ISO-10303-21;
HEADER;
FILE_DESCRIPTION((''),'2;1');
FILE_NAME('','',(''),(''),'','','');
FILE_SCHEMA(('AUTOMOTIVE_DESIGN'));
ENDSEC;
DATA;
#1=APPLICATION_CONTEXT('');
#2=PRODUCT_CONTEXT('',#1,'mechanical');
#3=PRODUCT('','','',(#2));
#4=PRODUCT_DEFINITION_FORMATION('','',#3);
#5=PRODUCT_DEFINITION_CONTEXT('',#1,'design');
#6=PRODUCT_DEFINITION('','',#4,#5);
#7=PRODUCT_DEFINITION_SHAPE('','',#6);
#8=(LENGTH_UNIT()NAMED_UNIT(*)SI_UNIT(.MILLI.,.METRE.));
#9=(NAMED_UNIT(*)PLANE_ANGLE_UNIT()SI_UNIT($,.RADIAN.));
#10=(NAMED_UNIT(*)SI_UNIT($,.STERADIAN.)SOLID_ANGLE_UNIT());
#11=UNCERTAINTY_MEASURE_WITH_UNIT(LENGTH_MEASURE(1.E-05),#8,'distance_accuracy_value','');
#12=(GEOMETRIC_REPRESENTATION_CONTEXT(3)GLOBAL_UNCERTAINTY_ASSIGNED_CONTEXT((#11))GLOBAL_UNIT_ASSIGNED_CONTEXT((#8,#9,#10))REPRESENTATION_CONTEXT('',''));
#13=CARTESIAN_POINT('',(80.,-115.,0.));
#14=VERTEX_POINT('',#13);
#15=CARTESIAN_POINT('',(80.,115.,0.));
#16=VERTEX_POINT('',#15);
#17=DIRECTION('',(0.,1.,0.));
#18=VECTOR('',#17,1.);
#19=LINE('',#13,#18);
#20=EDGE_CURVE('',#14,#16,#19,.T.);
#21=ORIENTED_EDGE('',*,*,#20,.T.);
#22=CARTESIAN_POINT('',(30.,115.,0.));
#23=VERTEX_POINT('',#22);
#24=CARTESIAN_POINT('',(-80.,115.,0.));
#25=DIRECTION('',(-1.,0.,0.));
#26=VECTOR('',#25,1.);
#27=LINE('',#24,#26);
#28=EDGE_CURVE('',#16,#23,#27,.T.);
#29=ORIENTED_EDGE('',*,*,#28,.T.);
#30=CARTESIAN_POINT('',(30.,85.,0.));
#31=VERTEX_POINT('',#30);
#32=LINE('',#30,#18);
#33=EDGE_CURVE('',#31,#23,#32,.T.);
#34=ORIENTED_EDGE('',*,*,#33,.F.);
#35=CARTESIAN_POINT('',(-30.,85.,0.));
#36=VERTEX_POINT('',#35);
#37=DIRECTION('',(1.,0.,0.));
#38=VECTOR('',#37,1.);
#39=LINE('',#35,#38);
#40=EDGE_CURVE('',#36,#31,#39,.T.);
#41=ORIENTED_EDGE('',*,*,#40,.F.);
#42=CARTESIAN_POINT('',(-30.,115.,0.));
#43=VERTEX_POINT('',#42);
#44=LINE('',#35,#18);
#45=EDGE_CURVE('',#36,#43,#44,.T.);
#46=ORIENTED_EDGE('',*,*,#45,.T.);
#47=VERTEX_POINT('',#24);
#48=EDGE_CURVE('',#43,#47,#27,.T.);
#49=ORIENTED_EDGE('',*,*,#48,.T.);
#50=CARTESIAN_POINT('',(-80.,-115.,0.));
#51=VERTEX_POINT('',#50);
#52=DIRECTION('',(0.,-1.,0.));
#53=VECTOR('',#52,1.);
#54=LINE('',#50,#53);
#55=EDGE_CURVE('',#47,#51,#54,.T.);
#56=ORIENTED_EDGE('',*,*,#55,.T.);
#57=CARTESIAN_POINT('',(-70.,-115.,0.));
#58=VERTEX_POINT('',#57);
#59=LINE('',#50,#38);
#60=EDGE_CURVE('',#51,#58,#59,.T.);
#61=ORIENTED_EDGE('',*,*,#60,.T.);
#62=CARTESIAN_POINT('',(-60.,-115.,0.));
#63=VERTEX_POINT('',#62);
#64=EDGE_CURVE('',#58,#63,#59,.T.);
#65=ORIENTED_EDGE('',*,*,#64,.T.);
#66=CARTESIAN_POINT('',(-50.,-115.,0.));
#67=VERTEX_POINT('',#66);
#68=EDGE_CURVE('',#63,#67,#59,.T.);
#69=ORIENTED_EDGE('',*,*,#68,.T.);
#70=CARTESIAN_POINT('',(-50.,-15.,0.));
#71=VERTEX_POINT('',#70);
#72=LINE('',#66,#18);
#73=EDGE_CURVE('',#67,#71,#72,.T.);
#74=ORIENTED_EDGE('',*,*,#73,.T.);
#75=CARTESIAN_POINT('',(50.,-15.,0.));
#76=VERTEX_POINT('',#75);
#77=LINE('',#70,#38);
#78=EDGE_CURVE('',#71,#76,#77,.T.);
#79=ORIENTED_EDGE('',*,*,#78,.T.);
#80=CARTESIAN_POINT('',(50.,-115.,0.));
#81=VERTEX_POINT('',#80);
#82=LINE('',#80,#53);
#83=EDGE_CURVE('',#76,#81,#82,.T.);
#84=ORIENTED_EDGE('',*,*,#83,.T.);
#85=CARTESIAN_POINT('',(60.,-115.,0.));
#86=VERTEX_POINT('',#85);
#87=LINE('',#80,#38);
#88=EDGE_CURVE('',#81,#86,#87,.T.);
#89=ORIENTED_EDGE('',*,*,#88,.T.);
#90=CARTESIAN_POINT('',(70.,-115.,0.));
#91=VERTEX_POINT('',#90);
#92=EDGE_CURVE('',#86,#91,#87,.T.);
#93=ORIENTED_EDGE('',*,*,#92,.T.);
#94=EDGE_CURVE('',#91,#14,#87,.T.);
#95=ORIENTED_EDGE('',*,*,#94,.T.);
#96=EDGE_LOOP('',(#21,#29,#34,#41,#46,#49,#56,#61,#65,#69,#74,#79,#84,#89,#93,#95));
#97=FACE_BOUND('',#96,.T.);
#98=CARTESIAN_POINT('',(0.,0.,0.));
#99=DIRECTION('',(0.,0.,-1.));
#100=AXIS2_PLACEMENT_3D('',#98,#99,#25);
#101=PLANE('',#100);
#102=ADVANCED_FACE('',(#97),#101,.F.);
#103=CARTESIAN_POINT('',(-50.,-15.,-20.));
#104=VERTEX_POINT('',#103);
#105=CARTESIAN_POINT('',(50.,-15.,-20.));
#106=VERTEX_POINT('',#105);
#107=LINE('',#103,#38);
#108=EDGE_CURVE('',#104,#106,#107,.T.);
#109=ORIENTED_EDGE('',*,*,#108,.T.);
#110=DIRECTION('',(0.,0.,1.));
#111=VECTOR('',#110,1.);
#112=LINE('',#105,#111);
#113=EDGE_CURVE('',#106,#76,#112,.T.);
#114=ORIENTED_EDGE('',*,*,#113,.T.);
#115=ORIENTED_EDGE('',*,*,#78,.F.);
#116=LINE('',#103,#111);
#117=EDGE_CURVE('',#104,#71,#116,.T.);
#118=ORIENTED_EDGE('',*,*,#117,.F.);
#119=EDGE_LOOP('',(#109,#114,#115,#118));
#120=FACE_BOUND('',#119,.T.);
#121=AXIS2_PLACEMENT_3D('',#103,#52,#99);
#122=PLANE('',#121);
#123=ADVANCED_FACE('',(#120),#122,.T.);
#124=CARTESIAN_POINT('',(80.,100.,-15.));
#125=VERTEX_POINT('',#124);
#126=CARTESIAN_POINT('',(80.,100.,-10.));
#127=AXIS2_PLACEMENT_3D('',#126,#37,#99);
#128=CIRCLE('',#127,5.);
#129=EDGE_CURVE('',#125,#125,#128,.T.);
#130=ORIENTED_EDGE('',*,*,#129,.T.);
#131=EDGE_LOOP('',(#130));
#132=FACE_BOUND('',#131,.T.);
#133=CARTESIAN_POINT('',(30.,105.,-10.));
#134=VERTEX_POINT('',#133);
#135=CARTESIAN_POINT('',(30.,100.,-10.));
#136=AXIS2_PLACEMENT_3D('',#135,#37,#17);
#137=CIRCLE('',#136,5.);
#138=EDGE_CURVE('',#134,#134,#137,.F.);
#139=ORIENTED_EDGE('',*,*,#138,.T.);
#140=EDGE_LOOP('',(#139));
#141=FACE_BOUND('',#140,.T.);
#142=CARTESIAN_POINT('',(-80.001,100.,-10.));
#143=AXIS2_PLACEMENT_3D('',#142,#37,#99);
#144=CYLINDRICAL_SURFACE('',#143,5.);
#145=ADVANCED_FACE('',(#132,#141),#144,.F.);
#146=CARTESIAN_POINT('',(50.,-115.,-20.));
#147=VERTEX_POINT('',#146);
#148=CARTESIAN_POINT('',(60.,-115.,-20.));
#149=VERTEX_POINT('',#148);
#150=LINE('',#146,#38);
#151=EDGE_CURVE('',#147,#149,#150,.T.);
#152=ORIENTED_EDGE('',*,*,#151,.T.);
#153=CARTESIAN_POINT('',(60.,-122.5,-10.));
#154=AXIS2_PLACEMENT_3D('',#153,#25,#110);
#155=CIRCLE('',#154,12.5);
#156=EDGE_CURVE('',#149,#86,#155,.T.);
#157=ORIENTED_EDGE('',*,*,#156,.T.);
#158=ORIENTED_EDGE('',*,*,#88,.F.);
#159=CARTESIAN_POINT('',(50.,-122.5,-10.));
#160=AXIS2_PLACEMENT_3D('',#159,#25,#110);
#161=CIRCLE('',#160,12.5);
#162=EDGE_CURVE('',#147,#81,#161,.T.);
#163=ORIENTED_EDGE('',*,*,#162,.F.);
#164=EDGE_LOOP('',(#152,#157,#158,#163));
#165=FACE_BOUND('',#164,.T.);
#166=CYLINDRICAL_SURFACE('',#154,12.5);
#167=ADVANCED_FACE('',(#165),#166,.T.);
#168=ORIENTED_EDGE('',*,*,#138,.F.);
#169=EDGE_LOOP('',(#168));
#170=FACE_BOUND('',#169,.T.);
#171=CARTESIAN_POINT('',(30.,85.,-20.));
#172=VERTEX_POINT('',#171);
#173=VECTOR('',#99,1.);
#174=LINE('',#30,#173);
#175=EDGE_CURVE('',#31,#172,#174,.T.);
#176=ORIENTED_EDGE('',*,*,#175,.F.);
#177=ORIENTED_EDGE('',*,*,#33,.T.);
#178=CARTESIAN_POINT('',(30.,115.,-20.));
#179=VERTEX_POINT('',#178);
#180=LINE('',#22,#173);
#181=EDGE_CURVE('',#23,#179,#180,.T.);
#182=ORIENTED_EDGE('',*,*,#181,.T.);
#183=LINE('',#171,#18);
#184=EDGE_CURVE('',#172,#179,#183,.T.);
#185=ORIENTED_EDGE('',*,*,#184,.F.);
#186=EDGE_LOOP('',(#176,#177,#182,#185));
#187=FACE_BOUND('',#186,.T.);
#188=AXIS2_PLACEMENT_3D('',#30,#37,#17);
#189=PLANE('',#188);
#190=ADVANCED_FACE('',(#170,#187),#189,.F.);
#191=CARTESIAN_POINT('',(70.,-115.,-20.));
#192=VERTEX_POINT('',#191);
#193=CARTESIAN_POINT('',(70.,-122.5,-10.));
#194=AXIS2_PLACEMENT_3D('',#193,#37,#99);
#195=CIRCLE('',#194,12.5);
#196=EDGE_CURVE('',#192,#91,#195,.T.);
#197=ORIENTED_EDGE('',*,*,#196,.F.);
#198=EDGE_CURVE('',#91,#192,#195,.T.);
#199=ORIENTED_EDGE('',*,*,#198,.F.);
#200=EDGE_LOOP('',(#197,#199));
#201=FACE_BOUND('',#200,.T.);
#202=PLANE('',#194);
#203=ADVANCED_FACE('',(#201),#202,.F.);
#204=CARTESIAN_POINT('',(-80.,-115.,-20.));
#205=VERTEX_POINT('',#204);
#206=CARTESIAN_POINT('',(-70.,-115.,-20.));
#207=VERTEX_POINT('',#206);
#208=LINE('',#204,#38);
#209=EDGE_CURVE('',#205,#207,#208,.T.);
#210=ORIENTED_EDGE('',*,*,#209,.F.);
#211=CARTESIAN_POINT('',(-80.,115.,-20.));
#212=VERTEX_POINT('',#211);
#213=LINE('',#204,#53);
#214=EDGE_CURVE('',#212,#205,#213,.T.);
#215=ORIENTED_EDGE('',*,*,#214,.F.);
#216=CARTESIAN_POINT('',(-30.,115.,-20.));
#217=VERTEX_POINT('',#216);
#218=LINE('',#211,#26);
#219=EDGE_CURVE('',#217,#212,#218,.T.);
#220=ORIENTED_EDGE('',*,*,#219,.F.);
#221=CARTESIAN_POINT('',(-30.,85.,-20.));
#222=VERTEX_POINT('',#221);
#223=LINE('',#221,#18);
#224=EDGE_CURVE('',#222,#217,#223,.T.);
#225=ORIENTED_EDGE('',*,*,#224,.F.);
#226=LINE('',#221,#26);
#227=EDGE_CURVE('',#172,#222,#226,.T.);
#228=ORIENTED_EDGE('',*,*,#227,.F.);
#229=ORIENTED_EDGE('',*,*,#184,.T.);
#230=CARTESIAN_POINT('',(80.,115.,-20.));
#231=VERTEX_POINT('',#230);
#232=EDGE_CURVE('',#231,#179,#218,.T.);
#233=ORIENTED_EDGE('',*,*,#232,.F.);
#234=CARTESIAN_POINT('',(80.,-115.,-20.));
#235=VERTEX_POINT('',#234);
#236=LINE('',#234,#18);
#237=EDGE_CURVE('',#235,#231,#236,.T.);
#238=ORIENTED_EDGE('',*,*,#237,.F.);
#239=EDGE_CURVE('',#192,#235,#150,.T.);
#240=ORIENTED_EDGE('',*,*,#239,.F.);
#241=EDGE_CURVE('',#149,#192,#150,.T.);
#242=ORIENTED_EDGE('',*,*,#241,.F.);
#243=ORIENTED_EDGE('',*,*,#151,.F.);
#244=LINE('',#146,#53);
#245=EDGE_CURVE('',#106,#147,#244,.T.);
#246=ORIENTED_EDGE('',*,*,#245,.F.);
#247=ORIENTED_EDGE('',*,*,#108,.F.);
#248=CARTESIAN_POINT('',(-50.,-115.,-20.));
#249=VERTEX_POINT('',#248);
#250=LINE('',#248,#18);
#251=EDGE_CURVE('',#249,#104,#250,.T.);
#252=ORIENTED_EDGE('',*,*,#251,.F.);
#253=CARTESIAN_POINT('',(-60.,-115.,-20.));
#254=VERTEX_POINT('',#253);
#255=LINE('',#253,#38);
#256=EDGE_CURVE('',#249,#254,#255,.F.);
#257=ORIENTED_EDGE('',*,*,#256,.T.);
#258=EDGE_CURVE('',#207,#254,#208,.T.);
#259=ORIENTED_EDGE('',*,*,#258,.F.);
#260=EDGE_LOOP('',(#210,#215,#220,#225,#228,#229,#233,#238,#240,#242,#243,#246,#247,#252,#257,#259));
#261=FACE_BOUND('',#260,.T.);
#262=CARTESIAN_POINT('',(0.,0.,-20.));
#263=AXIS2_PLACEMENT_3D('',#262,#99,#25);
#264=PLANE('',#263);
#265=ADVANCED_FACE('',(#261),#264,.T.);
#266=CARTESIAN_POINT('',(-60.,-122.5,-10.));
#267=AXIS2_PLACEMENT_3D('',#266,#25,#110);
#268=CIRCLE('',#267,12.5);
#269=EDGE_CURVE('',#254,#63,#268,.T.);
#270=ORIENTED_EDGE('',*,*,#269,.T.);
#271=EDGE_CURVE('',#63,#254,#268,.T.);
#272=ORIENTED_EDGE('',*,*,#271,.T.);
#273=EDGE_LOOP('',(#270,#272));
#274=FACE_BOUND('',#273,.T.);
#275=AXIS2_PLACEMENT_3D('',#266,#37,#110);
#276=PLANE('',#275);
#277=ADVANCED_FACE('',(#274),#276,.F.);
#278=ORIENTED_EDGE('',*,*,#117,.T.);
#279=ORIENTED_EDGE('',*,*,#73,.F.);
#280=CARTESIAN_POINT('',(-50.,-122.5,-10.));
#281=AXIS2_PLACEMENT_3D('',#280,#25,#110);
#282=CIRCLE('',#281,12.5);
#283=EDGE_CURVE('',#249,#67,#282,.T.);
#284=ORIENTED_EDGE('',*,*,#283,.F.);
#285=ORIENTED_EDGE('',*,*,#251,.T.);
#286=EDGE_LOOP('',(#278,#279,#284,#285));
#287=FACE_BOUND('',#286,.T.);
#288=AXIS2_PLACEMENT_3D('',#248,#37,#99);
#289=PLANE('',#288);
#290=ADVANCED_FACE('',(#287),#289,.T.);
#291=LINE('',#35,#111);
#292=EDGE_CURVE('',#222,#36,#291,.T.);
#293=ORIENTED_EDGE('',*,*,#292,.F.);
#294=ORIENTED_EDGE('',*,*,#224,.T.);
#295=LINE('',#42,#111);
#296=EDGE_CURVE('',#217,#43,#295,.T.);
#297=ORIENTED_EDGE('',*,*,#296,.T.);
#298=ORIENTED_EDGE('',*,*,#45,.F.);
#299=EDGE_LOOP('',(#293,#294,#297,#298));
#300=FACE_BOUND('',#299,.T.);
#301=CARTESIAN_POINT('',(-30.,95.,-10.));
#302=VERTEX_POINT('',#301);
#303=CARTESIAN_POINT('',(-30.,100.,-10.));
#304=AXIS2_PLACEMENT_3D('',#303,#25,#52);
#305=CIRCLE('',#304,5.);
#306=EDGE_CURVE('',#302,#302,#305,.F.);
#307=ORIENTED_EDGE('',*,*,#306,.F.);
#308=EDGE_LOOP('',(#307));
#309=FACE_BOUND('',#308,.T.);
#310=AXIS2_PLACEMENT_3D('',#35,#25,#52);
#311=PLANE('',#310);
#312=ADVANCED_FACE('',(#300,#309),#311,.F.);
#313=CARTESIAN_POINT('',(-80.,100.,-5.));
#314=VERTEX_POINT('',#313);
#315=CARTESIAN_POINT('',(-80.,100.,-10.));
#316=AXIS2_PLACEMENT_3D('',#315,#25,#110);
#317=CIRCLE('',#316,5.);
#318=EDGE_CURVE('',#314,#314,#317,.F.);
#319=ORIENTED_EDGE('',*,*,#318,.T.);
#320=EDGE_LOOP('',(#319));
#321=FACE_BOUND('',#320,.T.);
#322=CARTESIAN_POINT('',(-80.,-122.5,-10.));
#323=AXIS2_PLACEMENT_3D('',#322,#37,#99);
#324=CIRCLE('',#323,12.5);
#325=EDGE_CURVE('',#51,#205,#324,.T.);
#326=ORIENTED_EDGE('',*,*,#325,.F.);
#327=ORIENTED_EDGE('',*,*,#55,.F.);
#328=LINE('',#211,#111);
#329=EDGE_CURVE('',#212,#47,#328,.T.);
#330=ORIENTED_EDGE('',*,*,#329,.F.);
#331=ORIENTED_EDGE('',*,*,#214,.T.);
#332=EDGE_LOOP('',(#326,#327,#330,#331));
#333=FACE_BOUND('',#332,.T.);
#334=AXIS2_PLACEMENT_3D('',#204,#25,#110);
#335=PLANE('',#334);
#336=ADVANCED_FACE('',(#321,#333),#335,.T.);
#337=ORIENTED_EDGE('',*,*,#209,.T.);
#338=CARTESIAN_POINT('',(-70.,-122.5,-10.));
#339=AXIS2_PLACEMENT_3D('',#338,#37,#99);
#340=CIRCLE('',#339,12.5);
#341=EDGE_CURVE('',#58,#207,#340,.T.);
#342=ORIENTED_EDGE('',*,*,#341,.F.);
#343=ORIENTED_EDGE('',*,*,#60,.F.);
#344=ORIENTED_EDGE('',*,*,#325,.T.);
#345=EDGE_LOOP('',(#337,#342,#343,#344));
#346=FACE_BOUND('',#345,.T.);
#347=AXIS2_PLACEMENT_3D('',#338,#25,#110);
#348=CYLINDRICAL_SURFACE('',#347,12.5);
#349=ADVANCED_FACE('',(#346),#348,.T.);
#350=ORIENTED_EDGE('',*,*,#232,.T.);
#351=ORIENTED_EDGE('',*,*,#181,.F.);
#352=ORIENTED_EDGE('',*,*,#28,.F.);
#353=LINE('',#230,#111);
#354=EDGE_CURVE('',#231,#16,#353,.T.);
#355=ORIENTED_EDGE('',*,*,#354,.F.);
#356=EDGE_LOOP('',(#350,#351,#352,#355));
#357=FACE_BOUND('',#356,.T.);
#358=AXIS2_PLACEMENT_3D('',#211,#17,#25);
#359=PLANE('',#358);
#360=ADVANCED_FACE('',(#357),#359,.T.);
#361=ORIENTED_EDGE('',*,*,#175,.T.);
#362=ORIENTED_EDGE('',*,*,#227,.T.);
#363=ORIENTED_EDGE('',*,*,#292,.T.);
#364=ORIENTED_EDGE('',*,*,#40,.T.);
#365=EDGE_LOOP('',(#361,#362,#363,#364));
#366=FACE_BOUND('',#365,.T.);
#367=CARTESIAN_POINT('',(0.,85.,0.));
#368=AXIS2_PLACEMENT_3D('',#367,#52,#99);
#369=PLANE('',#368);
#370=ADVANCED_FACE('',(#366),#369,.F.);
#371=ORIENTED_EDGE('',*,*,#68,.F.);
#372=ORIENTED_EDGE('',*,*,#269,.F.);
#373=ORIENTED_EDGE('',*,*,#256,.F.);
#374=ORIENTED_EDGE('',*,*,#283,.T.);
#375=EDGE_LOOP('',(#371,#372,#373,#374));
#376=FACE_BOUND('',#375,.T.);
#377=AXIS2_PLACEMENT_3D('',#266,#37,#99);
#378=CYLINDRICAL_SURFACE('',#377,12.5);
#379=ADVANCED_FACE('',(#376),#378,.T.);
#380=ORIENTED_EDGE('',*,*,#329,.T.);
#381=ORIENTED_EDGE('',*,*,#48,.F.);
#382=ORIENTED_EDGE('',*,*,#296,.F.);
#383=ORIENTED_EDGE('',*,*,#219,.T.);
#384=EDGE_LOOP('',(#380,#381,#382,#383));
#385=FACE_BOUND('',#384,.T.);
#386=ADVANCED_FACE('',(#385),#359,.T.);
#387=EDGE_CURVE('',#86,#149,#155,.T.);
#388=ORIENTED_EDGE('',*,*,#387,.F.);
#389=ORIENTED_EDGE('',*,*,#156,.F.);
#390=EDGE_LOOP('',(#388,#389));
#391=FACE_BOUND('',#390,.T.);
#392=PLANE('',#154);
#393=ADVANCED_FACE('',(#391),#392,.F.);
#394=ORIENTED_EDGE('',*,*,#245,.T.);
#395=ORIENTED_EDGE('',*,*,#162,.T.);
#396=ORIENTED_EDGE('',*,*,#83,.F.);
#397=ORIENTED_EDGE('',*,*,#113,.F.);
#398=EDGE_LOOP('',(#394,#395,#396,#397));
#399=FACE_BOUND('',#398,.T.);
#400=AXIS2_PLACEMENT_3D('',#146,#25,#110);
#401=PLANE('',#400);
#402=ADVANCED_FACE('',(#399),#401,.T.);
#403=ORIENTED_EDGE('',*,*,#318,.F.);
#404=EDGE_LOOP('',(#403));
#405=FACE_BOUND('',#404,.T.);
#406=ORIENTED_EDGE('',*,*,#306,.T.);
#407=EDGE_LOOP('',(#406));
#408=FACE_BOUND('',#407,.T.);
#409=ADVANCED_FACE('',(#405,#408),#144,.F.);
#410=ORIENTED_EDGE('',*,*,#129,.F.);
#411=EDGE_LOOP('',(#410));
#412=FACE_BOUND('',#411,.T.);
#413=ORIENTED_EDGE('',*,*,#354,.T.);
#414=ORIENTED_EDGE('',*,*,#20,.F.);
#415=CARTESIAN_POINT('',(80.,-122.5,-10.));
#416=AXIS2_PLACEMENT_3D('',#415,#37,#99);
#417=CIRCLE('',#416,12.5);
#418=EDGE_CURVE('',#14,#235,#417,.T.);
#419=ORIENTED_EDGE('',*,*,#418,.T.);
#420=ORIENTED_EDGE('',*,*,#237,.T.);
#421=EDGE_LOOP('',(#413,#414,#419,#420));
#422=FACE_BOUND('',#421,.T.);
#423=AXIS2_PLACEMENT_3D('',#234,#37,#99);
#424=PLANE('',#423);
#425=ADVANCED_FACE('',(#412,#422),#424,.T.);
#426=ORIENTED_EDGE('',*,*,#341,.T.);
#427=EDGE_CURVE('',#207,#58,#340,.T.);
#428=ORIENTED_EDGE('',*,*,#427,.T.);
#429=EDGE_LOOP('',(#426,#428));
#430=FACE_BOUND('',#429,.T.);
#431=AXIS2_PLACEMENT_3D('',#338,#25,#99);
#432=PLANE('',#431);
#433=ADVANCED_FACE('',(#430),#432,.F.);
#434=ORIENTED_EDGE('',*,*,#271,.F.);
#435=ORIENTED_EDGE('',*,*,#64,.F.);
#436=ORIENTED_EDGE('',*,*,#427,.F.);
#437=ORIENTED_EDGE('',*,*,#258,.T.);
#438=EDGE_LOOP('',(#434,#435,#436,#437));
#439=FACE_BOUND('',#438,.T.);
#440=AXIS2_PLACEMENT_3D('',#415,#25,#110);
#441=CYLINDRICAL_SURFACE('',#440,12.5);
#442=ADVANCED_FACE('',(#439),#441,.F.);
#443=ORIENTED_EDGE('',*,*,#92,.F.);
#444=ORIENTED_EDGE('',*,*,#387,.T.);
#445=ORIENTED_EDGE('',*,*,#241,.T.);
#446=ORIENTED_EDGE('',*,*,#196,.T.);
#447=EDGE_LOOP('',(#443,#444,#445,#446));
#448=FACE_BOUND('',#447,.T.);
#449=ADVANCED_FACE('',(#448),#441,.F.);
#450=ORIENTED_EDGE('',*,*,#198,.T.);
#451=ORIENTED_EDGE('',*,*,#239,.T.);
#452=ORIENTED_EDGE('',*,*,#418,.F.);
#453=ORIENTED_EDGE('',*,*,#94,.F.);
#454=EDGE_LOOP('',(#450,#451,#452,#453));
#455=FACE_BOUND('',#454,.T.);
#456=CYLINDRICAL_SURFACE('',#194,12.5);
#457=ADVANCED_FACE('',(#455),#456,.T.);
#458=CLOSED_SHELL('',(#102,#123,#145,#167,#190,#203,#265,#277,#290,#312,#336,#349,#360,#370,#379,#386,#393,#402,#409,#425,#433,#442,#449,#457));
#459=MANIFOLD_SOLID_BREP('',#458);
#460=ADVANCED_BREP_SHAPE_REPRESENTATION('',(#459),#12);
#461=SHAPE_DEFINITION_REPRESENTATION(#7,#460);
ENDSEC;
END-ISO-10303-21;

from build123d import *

# Parameters (mm, degrees)
BOSS_EXTRUDE2_DEPTH = 20
SKETCH2_R           = 12.5
CUT_EXTRUDE1_DEPTH  = 80
SKETCH3_R           = 12.5
BOSS_EXTRUDE3_DEPTH = 10
SKETCH4_R           = 12.5
BOSS_EXTRUDE4_DEPTH = 10
CUT_EXTRUDE2_REACH  = 162
SKETCH5_R           = 5
SKETCH6_W           = 60
SKETCH6_H           = 20
CUT_EXTRUDE3_DEPTH  = 30


with BuildPart() as part:
    # Sketch1 → Boss-Extrude2 (new body)
    with BuildSketch(Plane.XY):
        Polygon((50, -115), (80, -115), (80, 115), (-80, 115), (-80, -115), (-50, -115), (-50, -15), (50, -15), align=None)
    extrude(amount=-BOSS_EXTRUDE2_DEPTH)

    # Sketch2 → Cut-Extrude1 (cut, symmetric)
    with BuildSketch(Plane(origin=(0, 0, 0), x_dir=(0, 0, -1), z_dir=(1, 0, 0))):
        with Locations((10, -122.5)):
            Circle(SKETCH2_R)
    extrude(amount=CUT_EXTRUDE1_DEPTH, both=True, mode=Mode.SUBTRACT)

    # Sketch3 → Boss-Extrude3 (add)
    with BuildSketch(Plane(origin=(80, 0, 0), x_dir=(0, 0, -1), z_dir=(1, 0, 0))):
        with Locations((10, -122.5)):
            Circle(SKETCH3_R)
    boss_extrude3 = extrude(amount=-BOSS_EXTRUDE3_DEPTH)

    # Mirror1: Boss-Extrude3 across plane
    add(boss_extrude3.mirror(Plane(origin=(0, 0, 0), x_dir=(0, 0, 1), z_dir=(1, 0, 0))))

    # Sketch4 → Boss-Extrude4 (add)
    with BuildSketch(Plane.ZY.offset(-50)):
        with Locations((-10, -122.5)):
            Circle(SKETCH4_R)
    boss_extrude4 = extrude(amount=-BOSS_EXTRUDE4_DEPTH)

    # Mirror2: Boss-Extrude4 across plane
    add(boss_extrude4.mirror(Plane(origin=(0, 0, 0), x_dir=(0, 0, 1), z_dir=(1, 0, 0))))

    # Sketch5 → Cut-Extrude2 (cut, up to next)
    with BuildSketch(Plane(origin=(80, 0, 0), x_dir=(0, 0, -1), z_dir=(1, 0, 0)), mode=Mode.PRIVATE) as cut_extrude2_sk1:
        with Locations((10, 100)):
            Circle(SKETCH5_R)
    cut_extrude2_tool1 = extrude(cut_extrude2_sk1.sketch, amount=-CUT_EXTRUDE2_REACH, mode=Mode.PRIVATE) & part.part
    add(cut_extrude2_tool1.solids().sort_by_distance((80, 100, -10))[0], mode=Mode.SUBTRACT)

    # Sketch6 → Cut-Extrude3 (cut)
    with BuildSketch(Plane(origin=(0, 115, 0), x_dir=(1, 0, 0), z_dir=(0, 1, 0))):
        with Locations((0, 10)):
            Rectangle(SKETCH6_W, SKETCH6_H)
    extrude(amount=-CUT_EXTRUDE3_DEPTH, mode=Mode.SUBTRACT)


solid = part.part
